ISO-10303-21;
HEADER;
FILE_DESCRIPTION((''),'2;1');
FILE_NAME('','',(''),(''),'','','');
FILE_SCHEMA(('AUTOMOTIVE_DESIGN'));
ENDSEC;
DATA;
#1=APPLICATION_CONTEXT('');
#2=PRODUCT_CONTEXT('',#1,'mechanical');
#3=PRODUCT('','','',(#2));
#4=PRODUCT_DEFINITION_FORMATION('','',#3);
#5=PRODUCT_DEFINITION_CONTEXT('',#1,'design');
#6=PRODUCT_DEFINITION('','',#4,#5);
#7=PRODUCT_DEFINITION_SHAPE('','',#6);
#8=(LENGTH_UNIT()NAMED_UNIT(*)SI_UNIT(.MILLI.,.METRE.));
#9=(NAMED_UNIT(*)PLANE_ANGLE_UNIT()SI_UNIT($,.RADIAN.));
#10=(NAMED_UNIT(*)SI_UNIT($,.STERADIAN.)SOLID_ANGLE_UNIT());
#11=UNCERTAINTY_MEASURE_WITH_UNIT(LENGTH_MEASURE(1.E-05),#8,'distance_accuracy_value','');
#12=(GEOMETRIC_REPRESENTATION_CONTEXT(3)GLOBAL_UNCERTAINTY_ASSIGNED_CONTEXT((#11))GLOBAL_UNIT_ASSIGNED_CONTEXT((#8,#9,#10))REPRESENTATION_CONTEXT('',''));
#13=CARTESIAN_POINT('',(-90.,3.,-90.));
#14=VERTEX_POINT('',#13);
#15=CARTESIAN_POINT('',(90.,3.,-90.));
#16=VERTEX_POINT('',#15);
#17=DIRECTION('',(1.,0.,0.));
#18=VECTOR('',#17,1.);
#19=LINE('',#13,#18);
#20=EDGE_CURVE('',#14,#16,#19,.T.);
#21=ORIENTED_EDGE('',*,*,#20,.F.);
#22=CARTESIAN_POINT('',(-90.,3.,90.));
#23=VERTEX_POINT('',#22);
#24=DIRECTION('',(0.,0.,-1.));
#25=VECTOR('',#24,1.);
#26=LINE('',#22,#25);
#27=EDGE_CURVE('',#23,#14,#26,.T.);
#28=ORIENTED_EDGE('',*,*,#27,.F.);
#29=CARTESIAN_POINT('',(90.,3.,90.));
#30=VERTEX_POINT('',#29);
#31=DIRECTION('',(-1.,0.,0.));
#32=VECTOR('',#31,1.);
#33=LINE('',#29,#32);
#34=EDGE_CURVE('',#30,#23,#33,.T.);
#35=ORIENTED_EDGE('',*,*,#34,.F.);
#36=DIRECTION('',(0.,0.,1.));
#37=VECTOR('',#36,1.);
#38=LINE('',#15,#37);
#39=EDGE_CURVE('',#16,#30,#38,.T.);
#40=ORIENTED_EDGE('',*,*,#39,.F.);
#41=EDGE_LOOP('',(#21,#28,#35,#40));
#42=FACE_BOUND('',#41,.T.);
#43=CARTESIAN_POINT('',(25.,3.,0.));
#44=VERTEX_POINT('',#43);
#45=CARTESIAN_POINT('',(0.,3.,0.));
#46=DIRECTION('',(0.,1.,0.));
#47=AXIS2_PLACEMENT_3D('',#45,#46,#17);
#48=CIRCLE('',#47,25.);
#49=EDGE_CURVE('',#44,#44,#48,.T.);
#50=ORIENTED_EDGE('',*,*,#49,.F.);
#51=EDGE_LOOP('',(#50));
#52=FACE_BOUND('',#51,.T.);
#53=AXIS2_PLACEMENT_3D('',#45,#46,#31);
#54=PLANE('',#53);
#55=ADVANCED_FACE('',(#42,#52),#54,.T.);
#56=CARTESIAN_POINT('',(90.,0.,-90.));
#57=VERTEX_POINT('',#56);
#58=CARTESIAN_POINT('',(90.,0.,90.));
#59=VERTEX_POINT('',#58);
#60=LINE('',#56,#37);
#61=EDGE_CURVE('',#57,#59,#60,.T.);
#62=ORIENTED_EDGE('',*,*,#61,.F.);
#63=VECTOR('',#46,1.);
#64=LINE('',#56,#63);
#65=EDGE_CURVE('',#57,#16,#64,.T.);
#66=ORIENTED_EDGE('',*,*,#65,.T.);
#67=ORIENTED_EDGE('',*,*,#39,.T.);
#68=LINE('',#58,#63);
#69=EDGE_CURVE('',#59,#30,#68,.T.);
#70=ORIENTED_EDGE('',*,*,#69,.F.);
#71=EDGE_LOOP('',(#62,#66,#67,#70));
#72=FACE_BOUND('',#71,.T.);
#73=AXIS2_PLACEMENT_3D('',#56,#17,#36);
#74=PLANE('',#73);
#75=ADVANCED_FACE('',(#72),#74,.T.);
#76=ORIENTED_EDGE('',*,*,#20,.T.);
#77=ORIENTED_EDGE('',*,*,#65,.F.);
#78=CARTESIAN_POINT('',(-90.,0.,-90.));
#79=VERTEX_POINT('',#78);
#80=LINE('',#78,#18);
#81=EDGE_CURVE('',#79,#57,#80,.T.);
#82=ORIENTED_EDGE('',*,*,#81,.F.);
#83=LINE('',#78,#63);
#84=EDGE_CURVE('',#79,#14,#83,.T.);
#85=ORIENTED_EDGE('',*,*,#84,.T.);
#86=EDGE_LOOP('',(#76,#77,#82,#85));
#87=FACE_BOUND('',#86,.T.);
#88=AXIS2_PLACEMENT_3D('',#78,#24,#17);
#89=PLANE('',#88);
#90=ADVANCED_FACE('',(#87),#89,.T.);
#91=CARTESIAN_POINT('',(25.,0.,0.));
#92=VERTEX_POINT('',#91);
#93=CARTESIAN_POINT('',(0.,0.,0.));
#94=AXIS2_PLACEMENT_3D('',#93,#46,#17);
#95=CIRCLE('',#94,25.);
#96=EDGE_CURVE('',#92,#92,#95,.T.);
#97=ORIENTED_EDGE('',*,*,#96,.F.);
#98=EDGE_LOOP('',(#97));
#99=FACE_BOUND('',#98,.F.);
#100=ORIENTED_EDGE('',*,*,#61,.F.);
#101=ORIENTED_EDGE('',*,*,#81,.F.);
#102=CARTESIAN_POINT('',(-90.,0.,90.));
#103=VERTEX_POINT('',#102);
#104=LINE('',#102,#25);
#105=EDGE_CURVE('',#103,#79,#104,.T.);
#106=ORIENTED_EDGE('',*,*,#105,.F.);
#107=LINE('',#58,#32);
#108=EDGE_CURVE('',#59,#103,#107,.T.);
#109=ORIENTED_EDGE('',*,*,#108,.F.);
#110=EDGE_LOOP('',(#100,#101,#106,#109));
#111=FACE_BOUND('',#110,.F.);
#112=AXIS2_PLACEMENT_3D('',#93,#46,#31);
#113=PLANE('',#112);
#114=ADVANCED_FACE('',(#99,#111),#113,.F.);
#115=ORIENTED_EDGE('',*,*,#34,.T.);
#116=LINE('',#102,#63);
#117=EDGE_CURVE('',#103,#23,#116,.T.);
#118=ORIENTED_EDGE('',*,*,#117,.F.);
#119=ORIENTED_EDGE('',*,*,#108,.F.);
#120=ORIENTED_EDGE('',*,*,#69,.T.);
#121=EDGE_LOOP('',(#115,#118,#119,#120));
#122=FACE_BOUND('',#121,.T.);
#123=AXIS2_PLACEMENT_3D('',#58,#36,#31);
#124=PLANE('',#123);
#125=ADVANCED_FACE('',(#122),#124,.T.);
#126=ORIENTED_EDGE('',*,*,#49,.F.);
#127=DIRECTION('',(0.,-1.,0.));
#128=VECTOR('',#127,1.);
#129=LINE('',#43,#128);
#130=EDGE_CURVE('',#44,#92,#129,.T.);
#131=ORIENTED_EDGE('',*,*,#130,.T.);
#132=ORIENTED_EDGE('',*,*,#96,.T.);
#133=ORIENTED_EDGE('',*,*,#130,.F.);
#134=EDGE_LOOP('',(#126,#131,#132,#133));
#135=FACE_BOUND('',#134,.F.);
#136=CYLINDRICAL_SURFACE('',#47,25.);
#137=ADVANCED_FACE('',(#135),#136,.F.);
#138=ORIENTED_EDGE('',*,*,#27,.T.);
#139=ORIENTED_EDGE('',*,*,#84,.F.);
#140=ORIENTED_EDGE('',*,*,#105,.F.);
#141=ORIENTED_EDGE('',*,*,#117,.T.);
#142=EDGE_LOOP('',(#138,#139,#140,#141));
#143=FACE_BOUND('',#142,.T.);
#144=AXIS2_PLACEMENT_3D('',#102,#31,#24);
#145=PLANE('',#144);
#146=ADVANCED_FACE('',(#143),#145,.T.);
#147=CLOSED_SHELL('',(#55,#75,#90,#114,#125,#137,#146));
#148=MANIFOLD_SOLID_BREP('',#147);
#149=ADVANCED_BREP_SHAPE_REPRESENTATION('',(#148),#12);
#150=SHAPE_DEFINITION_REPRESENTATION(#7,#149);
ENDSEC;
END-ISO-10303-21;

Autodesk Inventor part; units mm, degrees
ref_plane "YZ Plane" through (0, 0, 0) normal (1, 0, 0) x (0, 1, 0)
ref_plane "XZ Plane" through (0, 0, 0) normal (0, 1, 0) x (-1, 0, 0)
ref_plane "XY Plane" through (0, 0, 0) normal (0, 0, 1) x (1, 0, 0)
sketch "Sketch1" plane through (0, 0, 0) normal (0, 1, 0) x (-1, 0, 0)
  line L0 (-87, 87) -> (87, 87) construction
  line L1 (87, 87) -> (87, -87) construction
  line L2 (87, -87) -> (-87, -87) construction
  line L3 (-87, -87) -> (-87, 87) construction
  line L4 (-87, 87) -> (87, -87) construction
  line L5 (87, 87) -> (-87, -87) construction
  line L6 (-90, 90) -> (90, 90)
  line L7 (90, 90) -> (90, -90)
  line L8 (90, -90) -> (-90, -90)
  line L9 (-90, -90) -> (-90, 90)
  line L10 (-90, 90) -> (90, -90) construction
  line L11 (90, 90) -> (-90, -90) construction
  point P0 (0, 0)
  dimension "d0" = 174
  dimension "d1" = 174
  dimension "d2" = 3
extrude "Extrusion1" add sketch "Sketch1" along normal blind 3
sketch "Sketch2" plane through (0, 3, 0) normal (0, 1, 0) x (1, 0, 0)
  circle A0 centre (0, 0) radius 25
  dimension "d5" = 50
extrude "Extrusion2" cut sketch "Sketch2" against normal through all
properties part number "Tapa"
